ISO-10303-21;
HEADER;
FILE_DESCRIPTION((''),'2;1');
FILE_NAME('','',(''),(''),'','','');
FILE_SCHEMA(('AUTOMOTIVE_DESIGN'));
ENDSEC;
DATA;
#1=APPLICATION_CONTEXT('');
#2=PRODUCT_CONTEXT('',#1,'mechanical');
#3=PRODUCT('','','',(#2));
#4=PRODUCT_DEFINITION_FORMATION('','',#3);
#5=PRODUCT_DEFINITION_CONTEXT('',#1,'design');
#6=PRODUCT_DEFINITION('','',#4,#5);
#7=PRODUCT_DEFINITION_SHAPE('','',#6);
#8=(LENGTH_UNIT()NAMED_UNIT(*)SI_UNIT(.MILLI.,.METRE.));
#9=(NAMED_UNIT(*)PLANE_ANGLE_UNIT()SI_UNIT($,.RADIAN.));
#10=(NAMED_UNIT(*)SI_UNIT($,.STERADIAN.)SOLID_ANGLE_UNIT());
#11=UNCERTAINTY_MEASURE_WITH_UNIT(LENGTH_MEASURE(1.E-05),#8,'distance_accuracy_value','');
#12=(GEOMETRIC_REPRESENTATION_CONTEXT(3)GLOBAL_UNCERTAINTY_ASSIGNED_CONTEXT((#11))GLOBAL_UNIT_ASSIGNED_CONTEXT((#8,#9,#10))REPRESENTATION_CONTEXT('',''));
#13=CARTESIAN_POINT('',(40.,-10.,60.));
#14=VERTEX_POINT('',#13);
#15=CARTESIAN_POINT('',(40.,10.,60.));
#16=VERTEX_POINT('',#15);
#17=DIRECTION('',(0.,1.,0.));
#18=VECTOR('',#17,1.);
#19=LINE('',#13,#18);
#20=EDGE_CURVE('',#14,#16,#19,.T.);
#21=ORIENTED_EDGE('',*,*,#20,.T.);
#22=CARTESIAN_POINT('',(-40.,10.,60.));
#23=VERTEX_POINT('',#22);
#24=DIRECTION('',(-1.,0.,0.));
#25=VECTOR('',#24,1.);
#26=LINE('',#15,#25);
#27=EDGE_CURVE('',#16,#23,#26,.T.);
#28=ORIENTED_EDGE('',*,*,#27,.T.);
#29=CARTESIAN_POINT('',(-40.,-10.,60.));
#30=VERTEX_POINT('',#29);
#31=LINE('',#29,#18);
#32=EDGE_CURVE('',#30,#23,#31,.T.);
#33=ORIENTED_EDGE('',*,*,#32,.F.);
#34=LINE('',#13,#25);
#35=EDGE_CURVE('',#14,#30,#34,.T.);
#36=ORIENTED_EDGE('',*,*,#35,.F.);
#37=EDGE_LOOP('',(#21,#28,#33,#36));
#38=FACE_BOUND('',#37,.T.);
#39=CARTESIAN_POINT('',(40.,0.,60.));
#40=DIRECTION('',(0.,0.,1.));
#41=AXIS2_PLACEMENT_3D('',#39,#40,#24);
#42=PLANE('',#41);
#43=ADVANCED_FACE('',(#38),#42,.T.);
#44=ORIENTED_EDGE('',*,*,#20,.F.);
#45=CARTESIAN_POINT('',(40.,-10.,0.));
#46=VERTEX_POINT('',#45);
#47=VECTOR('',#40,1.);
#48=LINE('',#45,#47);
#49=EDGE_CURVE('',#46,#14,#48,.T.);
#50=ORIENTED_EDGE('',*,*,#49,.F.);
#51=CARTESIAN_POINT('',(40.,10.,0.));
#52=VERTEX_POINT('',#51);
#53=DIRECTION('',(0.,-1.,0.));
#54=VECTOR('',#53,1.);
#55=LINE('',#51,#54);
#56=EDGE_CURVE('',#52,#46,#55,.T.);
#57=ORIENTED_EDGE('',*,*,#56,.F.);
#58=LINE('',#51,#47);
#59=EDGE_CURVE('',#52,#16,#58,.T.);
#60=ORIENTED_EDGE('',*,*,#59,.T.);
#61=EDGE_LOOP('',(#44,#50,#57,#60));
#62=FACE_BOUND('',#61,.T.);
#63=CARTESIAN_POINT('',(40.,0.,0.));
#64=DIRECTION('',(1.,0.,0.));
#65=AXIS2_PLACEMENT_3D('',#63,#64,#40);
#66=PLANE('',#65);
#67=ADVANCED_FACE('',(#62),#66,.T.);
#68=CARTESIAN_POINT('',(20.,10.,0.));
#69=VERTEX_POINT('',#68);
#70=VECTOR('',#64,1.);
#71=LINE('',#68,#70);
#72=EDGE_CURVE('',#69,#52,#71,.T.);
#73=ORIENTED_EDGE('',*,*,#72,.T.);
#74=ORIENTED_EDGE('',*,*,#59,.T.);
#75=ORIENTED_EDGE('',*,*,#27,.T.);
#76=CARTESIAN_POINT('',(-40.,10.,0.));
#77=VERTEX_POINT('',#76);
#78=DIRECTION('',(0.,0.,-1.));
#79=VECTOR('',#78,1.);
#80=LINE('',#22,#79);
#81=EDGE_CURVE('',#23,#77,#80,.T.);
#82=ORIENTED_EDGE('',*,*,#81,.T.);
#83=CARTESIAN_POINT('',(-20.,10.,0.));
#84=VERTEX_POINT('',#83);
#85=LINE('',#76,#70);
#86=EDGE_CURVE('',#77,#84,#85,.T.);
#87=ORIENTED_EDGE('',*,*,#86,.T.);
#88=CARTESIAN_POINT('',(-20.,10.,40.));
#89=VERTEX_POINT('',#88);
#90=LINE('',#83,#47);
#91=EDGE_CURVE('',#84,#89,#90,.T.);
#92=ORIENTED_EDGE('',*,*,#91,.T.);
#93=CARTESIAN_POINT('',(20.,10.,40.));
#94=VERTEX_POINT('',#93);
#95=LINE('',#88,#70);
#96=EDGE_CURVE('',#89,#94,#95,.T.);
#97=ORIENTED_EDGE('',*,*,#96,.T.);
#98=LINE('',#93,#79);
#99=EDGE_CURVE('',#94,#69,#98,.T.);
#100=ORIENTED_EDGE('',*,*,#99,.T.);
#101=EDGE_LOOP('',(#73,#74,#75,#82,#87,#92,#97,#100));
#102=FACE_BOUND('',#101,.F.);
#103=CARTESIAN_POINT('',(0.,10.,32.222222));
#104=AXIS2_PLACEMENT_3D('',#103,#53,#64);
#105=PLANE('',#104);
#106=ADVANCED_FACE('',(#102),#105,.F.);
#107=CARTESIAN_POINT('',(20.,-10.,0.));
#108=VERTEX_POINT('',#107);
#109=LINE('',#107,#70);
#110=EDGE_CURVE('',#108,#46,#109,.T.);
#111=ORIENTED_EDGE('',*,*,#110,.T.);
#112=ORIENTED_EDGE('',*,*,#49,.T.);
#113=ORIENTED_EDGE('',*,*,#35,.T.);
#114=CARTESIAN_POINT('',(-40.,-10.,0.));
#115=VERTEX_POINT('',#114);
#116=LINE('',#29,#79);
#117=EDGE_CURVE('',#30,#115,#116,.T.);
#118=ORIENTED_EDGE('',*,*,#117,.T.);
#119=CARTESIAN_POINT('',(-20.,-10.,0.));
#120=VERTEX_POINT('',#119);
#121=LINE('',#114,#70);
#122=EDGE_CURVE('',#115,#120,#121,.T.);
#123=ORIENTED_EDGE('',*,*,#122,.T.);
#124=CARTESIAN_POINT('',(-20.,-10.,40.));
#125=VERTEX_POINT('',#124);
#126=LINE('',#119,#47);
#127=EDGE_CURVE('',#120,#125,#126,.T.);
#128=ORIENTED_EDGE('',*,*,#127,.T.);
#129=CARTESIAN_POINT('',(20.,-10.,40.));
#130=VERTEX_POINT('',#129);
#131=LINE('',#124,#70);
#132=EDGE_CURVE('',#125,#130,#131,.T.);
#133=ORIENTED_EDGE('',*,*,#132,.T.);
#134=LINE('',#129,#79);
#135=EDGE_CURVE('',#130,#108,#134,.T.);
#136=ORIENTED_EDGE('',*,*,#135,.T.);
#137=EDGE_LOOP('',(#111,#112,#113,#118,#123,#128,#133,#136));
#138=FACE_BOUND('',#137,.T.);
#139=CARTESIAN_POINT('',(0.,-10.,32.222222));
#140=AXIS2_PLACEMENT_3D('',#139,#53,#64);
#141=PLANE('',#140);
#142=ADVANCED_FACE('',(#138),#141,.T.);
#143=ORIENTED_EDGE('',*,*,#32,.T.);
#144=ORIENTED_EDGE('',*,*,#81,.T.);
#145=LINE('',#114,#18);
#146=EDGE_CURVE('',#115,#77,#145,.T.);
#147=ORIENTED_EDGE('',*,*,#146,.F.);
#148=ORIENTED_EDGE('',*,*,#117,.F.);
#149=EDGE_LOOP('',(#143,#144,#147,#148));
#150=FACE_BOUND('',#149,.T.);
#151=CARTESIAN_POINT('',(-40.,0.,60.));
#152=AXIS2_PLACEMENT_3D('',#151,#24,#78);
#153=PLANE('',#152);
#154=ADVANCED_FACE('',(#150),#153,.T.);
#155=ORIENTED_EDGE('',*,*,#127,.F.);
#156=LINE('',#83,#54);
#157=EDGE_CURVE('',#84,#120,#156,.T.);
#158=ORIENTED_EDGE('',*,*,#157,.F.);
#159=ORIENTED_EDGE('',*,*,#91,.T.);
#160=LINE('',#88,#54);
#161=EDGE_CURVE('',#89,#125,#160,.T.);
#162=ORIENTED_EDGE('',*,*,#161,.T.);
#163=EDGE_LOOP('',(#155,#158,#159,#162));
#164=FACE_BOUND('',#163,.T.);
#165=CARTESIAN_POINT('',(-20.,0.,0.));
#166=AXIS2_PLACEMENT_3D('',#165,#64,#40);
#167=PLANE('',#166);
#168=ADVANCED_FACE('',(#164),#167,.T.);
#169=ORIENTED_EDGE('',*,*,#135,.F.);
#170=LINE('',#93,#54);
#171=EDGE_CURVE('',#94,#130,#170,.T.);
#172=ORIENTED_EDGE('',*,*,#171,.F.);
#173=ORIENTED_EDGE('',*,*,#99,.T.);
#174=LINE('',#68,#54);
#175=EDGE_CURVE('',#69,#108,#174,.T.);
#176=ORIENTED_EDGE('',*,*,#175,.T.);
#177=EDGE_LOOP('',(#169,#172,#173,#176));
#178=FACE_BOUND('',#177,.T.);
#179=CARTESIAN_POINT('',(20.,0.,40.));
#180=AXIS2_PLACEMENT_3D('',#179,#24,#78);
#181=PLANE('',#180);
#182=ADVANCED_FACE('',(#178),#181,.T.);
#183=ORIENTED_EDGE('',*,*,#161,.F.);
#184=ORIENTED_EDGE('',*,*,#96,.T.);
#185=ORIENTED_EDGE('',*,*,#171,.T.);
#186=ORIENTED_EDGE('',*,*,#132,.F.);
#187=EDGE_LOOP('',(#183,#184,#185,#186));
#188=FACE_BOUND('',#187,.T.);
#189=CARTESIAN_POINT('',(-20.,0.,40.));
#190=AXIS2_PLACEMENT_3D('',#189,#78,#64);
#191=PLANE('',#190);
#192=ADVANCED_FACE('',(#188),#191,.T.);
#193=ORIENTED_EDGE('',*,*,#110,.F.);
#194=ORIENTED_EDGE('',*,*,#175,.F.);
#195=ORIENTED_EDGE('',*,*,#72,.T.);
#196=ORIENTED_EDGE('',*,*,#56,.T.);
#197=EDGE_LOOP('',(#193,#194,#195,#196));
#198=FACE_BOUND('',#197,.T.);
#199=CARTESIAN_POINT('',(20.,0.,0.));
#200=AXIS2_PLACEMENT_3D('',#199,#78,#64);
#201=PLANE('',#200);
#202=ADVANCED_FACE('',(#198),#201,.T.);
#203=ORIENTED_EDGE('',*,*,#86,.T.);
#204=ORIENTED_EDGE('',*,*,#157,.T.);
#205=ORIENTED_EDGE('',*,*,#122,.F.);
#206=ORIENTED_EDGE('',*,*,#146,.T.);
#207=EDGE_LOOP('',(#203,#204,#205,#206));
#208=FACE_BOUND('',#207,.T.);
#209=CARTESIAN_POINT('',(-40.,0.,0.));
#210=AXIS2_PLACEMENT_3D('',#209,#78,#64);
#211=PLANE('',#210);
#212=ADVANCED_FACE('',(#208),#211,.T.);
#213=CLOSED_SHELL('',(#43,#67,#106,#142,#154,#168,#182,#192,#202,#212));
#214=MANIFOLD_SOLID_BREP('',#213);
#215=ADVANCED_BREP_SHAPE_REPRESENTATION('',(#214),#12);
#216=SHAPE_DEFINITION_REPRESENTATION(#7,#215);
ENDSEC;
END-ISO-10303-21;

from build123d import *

# Parameters (mm, degrees)
PAD_DEPTH = 10


with BuildPart() as part:
    # Sketch → Pad (new body, symmetric)
    with BuildSketch(Plane.XZ):
        Polygon((-40, 0), (-20, 0), (-20, 40), (20, 40), (20, 0), (40, 0), (40, 60), (-40, 60), align=None)
    extrude(amount=PAD_DEPTH, both=True)


solid = part.part
